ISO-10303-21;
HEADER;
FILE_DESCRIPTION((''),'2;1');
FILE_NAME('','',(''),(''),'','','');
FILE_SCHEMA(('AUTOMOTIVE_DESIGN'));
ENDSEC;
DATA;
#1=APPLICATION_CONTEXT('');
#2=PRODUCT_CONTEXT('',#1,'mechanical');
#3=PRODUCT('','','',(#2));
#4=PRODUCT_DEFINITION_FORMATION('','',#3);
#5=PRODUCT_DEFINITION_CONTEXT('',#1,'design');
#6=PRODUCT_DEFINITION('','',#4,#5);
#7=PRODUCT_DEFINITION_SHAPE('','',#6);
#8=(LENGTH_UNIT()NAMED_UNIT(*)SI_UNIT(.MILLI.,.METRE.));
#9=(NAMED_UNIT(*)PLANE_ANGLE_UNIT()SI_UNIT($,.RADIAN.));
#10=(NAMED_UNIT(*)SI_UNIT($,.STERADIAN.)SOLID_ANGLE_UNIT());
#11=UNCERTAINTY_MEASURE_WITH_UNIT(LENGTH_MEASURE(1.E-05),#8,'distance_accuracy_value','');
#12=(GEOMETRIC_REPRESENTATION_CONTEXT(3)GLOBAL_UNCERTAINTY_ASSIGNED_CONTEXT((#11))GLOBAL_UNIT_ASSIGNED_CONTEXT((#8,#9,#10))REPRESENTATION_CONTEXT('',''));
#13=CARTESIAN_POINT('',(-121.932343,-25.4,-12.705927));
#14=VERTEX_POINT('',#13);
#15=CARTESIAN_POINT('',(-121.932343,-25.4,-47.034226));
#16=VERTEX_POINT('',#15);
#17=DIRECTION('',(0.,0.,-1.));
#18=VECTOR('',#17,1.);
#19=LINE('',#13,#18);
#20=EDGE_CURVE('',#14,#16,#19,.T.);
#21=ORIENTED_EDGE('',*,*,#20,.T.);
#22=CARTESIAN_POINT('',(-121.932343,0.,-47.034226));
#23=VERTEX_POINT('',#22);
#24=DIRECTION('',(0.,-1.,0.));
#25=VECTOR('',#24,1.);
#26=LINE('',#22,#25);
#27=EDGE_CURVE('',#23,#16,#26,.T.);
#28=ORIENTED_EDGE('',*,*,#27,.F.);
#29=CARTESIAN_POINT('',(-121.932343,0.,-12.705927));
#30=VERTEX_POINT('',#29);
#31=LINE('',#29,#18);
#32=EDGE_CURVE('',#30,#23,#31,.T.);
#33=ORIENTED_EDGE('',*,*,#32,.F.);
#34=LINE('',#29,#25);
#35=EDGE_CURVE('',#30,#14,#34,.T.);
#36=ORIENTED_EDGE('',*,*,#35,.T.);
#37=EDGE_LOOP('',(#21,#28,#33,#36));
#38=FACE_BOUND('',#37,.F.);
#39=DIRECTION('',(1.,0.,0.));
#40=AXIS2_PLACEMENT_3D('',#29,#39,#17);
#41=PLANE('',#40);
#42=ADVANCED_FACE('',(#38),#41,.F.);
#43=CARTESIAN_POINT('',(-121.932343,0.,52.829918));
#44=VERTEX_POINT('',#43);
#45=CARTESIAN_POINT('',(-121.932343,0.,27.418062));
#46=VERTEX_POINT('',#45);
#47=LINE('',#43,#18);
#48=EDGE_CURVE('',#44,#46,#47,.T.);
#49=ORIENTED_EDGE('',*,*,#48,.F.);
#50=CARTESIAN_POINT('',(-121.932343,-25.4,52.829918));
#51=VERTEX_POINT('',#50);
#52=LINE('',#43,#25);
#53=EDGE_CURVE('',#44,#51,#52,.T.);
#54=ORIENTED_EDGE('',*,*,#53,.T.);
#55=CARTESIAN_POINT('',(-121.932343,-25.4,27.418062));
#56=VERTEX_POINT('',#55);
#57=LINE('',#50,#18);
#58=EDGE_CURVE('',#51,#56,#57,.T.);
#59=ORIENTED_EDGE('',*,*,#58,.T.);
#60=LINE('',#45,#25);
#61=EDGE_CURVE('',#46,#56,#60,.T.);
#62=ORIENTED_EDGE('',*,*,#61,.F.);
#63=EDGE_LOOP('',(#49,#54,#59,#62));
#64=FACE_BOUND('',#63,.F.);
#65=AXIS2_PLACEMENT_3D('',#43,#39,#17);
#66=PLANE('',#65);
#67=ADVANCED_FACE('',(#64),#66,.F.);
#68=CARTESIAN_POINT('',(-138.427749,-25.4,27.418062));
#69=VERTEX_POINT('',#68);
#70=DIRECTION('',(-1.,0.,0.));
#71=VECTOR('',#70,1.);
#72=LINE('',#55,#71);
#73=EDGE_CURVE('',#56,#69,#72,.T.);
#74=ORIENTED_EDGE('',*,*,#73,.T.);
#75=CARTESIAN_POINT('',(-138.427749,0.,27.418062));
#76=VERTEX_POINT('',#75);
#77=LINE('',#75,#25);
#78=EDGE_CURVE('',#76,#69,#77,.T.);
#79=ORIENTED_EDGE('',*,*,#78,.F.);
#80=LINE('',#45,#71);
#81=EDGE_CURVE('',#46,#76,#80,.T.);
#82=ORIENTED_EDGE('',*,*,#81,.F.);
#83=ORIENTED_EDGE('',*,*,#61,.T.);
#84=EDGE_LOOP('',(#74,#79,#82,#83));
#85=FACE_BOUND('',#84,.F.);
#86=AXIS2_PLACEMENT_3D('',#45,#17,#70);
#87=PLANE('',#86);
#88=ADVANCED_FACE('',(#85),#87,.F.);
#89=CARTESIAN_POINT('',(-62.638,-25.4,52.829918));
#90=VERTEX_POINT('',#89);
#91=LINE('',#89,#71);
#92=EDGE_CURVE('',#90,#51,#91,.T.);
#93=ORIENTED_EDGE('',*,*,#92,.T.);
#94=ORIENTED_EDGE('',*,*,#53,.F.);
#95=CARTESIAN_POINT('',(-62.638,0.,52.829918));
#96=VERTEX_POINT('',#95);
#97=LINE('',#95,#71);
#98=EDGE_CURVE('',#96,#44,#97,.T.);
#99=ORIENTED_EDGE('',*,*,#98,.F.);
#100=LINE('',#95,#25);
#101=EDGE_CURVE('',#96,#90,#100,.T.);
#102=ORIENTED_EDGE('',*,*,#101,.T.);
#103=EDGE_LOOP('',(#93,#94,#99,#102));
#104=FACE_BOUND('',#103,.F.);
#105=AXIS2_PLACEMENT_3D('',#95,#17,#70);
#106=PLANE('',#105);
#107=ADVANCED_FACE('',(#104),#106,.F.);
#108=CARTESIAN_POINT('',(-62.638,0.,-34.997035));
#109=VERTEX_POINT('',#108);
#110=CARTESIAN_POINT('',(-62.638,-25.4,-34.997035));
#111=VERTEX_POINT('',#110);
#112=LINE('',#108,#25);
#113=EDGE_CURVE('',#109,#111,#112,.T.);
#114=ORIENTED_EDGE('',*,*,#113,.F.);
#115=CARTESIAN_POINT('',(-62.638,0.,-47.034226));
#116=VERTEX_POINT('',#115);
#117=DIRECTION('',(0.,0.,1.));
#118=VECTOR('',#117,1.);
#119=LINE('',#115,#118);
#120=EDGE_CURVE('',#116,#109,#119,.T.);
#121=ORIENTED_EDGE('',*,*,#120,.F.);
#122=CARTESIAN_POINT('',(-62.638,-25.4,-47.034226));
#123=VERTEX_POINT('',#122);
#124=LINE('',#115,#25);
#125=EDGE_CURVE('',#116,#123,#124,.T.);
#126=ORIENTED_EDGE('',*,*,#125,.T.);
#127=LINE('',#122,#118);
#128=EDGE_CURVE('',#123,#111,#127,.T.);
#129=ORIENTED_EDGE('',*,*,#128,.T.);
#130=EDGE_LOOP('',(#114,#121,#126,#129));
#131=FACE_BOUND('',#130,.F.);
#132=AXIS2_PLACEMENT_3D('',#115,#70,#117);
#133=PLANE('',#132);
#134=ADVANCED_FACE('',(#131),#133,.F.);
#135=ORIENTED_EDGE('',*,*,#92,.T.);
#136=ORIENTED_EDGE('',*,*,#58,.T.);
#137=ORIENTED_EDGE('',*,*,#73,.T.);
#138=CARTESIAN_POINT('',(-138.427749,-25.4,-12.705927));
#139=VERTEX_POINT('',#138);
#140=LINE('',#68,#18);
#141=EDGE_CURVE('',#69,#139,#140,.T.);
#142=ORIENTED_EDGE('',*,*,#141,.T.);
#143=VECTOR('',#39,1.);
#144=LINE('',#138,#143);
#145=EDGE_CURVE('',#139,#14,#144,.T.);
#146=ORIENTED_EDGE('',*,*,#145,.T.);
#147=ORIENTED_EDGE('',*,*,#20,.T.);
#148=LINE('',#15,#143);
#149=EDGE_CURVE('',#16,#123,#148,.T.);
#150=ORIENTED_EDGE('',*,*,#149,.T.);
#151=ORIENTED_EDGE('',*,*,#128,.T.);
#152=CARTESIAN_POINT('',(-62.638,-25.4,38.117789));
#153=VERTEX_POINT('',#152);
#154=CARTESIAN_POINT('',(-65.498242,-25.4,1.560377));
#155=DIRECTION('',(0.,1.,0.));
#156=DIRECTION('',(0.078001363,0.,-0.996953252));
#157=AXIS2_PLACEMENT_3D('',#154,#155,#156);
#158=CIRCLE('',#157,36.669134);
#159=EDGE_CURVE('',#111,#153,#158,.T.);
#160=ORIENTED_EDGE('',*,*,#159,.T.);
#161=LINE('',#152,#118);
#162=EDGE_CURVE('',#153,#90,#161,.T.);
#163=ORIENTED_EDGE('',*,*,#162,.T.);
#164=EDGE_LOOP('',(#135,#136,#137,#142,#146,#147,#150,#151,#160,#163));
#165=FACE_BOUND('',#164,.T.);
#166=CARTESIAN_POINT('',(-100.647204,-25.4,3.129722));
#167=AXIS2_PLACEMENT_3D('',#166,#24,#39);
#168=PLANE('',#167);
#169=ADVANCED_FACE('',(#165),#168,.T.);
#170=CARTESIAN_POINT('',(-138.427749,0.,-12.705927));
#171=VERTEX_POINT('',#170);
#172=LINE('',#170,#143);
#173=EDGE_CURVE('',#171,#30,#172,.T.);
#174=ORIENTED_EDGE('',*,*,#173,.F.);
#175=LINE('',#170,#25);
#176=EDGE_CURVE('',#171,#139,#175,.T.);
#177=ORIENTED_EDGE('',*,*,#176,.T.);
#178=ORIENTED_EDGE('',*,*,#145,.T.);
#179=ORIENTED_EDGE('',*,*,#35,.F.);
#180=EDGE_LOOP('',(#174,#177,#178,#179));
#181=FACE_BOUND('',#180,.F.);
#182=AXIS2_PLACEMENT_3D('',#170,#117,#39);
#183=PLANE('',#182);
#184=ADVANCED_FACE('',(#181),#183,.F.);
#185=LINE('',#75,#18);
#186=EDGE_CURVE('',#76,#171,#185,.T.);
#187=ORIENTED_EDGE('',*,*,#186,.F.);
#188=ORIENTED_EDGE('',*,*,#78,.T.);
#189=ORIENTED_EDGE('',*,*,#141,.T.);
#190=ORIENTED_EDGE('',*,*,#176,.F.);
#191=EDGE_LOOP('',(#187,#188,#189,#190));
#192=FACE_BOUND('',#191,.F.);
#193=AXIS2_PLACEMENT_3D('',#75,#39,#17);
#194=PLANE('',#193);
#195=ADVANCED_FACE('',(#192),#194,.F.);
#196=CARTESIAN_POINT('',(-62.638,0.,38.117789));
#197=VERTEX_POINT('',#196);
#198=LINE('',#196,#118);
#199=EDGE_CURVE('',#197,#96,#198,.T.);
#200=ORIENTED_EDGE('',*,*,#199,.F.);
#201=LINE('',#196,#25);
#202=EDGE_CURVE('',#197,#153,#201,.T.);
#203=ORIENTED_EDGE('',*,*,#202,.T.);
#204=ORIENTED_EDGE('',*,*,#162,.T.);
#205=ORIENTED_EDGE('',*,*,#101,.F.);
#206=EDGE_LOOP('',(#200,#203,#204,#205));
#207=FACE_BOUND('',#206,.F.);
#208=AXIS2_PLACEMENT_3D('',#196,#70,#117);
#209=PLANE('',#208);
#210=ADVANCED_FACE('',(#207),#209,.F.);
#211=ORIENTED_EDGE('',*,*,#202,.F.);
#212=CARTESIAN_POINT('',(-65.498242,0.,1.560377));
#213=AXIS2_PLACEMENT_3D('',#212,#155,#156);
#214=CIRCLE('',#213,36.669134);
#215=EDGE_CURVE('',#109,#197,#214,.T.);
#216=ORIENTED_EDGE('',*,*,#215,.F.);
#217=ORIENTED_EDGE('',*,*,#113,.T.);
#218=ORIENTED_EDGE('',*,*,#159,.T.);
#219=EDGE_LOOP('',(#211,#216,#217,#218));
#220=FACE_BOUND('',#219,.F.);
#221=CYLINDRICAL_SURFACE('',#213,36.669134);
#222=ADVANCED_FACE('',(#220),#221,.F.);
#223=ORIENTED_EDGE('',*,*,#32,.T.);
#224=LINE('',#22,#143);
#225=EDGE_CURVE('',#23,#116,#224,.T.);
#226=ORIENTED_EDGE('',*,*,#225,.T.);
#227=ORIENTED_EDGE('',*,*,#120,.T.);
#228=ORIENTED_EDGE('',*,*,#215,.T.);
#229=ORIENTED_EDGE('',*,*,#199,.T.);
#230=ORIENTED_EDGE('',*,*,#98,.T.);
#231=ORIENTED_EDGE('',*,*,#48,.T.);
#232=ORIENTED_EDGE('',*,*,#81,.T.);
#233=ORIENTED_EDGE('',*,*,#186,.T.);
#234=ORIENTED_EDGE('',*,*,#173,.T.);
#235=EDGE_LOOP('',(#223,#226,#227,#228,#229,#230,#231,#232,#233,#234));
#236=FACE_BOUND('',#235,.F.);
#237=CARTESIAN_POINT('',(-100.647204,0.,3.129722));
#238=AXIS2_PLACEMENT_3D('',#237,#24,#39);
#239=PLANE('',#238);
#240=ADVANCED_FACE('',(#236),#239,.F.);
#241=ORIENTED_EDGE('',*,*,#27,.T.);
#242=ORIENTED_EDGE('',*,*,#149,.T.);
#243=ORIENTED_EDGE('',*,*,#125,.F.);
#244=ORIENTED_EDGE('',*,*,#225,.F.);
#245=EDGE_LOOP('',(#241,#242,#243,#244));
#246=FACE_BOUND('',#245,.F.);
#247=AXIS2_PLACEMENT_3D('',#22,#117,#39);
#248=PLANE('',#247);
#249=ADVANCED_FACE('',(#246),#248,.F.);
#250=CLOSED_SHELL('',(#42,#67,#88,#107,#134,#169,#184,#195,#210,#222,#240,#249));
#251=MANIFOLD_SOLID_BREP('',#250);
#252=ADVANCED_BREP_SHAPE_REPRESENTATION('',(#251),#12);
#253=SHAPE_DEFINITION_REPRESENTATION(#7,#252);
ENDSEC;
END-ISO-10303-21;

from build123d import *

# Parameters (mm, degrees)
F1_DEPTH = 25.4


with BuildPart() as f1:
    # F0 (on Front) → F1 (new body)
    with BuildSketch(Plane.XZ):
        with BuildLine():
            Line((-121.932343, -12.705927), (-121.932343, -47.034226))
            Line((-121.932343, -47.034226), (-62.638, -47.034226))
            Line((-62.638, -47.034226), (-62.638, -34.997035))
            ThreePointArc((-62.638, -34.997035), (-102.167376, 1.560377), (-62.638, 38.117789))
            Line((-62.638, 38.117789), (-62.638, 52.829918))
            Line((-62.638, 52.829918), (-121.932343, 52.829918))
            Line((-121.932343, 52.829918), (-121.932343, 27.418062))
            Line((-121.932343, 27.418062), (-138.427749, 27.418062))
            Line((-138.427749, 27.418062), (-138.427749, -12.705927))
            Line((-138.427749, -12.705927), (-121.932343, -12.705927))
        make_face()
    extrude(amount=F1_DEPTH)


solid = f1.part
